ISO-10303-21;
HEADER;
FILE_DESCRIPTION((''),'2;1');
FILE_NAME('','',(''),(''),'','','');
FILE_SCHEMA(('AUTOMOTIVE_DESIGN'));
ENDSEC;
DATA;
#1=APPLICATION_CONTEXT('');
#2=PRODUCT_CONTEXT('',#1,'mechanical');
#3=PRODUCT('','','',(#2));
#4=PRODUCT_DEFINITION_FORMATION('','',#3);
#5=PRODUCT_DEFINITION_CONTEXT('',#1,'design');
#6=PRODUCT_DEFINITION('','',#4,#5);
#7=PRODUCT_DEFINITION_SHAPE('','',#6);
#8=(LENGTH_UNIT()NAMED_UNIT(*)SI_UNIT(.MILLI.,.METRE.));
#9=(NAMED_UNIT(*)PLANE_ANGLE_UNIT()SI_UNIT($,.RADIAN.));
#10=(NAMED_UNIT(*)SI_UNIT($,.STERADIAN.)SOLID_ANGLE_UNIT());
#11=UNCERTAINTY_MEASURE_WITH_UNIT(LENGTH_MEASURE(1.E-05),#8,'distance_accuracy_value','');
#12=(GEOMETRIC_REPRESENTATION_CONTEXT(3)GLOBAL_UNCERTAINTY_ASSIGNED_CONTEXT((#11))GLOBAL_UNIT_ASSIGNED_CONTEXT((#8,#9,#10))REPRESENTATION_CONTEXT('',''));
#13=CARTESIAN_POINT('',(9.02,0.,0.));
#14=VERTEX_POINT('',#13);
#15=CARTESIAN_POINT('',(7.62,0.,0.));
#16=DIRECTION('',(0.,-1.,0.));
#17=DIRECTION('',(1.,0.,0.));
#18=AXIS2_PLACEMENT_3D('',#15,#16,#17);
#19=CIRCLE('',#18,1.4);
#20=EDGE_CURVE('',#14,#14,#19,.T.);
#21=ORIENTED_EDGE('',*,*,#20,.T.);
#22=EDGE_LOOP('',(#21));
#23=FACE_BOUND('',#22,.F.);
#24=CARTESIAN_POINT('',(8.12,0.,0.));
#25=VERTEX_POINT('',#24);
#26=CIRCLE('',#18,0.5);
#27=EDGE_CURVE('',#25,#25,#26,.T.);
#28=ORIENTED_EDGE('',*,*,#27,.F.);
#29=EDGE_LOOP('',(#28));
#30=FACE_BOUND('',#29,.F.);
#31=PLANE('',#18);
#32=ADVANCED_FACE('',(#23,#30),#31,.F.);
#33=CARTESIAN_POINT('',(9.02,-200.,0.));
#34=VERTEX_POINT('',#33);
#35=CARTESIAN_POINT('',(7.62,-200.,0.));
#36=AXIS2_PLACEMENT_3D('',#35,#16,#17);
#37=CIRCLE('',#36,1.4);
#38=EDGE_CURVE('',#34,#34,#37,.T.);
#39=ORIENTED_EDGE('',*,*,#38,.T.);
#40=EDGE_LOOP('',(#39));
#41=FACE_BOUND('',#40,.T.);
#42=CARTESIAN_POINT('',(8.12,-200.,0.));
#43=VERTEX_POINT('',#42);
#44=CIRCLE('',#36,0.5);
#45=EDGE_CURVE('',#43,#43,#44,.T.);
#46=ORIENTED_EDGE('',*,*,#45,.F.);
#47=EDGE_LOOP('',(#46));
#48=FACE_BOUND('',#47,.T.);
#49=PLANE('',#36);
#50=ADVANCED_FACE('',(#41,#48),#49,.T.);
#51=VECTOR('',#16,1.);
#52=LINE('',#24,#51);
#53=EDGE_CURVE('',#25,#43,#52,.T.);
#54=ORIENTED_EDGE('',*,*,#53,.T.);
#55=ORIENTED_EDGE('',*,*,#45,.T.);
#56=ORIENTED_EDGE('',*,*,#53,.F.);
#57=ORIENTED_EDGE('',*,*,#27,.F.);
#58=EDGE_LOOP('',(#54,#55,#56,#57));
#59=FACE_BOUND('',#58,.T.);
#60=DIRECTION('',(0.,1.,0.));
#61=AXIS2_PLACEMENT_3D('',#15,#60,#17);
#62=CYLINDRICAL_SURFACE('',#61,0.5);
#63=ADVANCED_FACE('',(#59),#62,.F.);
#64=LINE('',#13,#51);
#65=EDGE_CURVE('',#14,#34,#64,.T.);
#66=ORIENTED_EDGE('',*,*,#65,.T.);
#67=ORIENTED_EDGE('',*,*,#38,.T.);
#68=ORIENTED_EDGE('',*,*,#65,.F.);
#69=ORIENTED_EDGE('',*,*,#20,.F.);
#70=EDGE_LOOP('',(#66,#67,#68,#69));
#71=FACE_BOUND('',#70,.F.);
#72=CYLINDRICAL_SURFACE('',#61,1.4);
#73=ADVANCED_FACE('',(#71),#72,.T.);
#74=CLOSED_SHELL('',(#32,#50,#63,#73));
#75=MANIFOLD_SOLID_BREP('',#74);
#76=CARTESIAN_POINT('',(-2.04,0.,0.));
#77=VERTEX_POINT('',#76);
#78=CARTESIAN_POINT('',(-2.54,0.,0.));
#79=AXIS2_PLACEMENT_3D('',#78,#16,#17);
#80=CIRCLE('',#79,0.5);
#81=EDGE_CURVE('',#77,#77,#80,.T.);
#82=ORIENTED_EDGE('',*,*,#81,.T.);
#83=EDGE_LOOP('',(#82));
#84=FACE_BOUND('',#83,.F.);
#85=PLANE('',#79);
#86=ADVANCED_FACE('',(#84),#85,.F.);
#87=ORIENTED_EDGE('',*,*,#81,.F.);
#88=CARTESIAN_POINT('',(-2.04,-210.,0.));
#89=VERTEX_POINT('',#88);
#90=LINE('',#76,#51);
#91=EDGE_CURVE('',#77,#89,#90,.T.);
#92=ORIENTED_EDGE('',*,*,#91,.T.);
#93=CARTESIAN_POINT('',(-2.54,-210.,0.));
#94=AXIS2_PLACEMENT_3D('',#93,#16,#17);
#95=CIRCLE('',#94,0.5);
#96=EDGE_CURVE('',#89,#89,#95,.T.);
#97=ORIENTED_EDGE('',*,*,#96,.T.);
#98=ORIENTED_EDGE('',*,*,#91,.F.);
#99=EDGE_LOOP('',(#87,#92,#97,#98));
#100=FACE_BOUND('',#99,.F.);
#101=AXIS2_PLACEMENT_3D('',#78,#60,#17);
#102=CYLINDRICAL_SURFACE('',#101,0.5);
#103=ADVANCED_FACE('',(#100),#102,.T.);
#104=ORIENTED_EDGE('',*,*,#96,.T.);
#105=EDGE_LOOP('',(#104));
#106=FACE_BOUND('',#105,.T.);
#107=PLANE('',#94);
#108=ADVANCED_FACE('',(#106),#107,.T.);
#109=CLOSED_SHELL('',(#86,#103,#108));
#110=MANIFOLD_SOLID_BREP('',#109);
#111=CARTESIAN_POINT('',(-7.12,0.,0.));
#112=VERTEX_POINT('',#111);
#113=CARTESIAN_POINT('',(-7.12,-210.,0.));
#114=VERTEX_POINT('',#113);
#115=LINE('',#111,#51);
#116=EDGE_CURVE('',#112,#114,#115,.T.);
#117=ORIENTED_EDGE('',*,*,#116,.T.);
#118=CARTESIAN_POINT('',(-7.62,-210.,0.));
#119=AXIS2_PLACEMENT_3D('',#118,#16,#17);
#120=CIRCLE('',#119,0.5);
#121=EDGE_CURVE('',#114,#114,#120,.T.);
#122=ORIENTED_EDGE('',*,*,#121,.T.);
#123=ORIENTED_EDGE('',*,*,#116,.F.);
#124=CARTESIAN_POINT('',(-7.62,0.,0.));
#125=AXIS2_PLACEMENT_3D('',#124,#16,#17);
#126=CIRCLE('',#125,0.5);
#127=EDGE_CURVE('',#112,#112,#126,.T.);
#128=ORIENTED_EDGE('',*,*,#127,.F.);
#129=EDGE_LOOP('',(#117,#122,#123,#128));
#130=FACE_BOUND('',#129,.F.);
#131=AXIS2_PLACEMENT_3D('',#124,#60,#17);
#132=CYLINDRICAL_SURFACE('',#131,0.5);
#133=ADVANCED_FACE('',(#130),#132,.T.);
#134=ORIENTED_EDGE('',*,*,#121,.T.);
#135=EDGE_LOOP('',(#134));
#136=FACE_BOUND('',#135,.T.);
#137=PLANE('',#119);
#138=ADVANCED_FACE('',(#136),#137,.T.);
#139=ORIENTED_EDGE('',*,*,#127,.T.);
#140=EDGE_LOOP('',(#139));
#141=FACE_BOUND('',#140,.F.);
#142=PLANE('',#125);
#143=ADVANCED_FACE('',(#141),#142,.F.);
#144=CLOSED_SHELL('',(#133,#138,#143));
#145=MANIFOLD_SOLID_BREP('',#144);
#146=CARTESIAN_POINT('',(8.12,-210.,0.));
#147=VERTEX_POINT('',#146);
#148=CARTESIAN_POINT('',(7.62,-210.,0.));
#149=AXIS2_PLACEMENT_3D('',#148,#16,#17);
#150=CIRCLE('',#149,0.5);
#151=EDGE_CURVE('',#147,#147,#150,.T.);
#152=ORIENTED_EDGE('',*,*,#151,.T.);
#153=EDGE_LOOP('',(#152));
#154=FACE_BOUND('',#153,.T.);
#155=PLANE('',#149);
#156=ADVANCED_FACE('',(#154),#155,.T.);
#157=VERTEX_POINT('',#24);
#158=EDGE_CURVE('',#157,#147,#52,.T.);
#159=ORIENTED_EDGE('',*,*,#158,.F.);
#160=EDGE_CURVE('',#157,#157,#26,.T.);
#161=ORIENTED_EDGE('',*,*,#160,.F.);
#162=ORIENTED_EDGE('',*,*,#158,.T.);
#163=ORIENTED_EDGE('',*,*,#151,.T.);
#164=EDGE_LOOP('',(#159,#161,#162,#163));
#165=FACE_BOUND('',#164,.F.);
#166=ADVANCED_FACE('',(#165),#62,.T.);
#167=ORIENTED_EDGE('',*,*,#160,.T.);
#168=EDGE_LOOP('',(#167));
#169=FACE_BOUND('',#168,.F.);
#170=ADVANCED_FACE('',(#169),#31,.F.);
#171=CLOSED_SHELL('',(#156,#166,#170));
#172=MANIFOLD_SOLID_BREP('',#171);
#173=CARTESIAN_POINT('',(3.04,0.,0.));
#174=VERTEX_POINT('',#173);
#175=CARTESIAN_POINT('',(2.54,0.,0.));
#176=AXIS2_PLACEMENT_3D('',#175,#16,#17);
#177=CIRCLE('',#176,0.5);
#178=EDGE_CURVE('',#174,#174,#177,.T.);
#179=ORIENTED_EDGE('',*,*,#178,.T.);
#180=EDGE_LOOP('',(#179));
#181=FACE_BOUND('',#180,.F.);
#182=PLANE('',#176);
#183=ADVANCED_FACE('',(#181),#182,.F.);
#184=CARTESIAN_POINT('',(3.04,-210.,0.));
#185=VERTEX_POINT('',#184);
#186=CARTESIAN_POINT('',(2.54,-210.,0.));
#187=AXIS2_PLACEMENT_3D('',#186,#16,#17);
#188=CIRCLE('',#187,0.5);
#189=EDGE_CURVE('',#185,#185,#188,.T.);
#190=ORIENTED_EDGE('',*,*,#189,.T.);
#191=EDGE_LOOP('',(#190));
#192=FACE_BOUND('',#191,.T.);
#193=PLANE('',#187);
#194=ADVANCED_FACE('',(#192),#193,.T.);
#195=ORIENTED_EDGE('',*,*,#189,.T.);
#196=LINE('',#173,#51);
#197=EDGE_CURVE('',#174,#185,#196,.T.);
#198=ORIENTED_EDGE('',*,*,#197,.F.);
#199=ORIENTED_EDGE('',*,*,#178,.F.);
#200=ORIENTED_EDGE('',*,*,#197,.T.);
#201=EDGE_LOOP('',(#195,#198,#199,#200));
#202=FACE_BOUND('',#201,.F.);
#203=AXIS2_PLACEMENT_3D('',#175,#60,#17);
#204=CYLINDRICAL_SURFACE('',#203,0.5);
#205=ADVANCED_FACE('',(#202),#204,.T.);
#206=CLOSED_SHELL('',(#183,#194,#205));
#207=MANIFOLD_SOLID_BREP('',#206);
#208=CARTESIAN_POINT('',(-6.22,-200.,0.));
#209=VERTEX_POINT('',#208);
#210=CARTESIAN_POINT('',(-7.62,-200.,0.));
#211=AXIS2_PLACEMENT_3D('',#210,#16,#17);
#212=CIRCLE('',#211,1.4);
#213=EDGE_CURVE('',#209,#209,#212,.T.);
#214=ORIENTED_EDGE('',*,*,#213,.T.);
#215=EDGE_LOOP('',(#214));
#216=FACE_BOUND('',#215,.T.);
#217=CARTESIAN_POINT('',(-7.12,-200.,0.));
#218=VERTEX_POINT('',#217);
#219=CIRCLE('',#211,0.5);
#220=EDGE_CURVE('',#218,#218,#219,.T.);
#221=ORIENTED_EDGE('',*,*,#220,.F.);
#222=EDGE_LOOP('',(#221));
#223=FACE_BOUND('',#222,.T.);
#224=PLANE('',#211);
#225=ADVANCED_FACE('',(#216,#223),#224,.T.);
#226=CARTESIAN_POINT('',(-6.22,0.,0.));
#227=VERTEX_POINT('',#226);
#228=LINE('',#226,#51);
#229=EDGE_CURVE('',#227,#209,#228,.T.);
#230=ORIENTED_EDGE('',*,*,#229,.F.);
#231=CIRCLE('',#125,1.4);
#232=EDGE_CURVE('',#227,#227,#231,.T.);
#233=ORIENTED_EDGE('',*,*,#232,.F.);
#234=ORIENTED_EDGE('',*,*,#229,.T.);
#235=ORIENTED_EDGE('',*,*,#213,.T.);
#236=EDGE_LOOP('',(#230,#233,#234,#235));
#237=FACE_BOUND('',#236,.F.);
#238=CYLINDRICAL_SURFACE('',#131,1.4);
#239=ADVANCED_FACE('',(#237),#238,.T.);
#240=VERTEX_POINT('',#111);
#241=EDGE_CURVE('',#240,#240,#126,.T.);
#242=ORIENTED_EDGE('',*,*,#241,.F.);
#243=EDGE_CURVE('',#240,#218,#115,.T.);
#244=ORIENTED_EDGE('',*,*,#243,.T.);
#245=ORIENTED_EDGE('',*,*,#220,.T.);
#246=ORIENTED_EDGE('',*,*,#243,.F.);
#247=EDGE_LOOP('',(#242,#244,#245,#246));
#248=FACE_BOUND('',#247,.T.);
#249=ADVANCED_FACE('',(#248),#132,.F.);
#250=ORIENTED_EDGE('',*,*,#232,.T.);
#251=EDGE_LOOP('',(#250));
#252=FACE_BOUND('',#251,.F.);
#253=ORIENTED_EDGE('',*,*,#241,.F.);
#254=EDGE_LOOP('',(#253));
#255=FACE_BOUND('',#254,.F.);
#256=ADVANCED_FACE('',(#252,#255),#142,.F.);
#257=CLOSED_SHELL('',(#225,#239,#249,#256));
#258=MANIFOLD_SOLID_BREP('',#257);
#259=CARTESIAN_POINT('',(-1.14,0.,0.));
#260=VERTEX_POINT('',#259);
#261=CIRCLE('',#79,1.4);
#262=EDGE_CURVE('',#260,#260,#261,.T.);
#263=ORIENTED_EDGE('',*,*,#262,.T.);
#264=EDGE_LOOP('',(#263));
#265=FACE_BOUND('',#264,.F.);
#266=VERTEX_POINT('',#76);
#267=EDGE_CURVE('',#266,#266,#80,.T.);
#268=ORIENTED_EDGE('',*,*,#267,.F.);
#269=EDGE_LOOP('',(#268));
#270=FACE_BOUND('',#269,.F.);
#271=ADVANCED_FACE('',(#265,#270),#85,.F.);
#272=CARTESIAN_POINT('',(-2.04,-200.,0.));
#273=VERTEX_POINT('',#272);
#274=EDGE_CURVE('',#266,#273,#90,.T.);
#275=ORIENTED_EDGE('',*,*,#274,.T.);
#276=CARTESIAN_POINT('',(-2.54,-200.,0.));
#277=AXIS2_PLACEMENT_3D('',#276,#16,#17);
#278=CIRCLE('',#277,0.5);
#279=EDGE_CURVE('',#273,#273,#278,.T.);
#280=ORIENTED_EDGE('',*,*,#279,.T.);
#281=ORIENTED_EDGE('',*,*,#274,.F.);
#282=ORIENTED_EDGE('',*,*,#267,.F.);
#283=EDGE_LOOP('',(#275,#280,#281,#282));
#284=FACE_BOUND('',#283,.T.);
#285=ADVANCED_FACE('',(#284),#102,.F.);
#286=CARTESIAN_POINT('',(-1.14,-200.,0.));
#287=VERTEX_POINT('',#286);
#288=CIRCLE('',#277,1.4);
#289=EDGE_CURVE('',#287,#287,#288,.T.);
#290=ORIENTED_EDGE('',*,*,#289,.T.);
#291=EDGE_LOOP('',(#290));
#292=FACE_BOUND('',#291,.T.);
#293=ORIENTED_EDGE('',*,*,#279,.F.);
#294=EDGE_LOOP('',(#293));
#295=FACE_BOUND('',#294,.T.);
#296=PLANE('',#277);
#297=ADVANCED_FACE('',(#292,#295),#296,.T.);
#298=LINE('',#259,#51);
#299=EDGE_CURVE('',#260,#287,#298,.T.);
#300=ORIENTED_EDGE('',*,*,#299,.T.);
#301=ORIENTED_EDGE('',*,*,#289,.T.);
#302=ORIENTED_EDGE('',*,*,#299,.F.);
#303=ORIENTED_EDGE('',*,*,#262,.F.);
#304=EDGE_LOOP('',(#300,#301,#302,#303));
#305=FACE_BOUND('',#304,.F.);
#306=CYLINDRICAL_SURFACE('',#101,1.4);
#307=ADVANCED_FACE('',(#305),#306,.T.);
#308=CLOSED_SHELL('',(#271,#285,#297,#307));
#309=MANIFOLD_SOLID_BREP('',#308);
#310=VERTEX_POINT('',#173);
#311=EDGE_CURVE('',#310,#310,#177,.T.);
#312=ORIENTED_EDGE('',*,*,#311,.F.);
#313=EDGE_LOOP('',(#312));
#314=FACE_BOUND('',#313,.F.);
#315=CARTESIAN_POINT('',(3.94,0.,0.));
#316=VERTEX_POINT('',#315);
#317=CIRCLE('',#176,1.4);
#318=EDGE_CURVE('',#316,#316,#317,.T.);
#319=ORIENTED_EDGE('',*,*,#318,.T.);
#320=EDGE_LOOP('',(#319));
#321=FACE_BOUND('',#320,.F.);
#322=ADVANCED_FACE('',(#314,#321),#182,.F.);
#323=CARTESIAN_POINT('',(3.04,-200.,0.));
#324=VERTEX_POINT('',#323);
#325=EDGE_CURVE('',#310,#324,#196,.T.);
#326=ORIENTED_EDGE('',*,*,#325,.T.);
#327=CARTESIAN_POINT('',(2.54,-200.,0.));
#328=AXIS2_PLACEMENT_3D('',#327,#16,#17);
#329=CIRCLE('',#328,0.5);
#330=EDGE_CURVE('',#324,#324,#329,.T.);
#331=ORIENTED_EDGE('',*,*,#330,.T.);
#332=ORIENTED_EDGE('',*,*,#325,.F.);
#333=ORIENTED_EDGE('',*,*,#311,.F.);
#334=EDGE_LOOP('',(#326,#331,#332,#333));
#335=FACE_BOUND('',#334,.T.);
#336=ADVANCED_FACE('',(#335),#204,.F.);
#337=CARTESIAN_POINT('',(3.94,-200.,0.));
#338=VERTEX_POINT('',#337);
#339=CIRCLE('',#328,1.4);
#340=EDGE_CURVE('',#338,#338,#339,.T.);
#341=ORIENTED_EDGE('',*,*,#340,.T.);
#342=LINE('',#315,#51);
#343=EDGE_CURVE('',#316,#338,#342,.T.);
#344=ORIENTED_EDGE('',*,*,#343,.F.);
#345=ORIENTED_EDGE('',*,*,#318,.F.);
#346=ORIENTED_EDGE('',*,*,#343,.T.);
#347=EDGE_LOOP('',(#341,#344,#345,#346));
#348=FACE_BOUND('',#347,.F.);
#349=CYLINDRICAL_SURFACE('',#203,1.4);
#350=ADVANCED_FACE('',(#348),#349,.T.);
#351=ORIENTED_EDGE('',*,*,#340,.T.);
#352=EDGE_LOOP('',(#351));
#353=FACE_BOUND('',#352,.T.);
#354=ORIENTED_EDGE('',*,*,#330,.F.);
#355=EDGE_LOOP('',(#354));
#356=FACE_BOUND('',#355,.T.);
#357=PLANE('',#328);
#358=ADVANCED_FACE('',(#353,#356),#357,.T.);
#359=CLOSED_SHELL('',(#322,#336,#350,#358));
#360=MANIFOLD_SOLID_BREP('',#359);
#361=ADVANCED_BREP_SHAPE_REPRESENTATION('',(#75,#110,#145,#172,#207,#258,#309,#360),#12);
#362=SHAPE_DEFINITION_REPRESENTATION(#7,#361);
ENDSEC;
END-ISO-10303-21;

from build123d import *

# Parameters (mm, degrees)
F0_R     = 1.4
F0_R_2   = 0.5
F1_DEPTH = 200
F2_DEPTH = 210


with BuildPart() as f1:
    # F0 (on Front) → F1 (new body)
    with BuildSketch(Plane.XZ):
        with Locations((-7.62, 0)):
            Circle(F0_R)
        with Locations((-7.62, 0)):
            Circle(F0_R_2, mode=Mode.SUBTRACT)
        with Locations((-2.54, 0)):
            Circle(F0_R)
        with Locations((-2.54, 0)):
            Circle(F0_R_2, mode=Mode.SUBTRACT)
        with Locations((2.54, 0)):
            Circle(F0_R)
        with Locations((2.54, 0)):
            Circle(F0_R_2, mode=Mode.SUBTRACT)
        with Locations((7.62, 0)):
            Circle(F0_R)
        with Locations((7.62, 0)):
            Circle(F0_R_2, mode=Mode.SUBTRACT)
    extrude(amount=F1_DEPTH)


with BuildPart() as f2:
    # F0 (on Front) → F2 (new body)
    with BuildSketch(Plane.XZ):
        with Locations((7.62, 0)):
            Circle(F0_R_2)
        with Locations((2.54, 0)):
            Circle(F0_R_2)
        with Locations((-2.54, 0)):
            Circle(F0_R_2)
        with Locations((-7.62, 0)):
            Circle(F0_R_2)
    extrude(amount=F2_DEPTH)


solid = Compound([f1.part, f2.part])
